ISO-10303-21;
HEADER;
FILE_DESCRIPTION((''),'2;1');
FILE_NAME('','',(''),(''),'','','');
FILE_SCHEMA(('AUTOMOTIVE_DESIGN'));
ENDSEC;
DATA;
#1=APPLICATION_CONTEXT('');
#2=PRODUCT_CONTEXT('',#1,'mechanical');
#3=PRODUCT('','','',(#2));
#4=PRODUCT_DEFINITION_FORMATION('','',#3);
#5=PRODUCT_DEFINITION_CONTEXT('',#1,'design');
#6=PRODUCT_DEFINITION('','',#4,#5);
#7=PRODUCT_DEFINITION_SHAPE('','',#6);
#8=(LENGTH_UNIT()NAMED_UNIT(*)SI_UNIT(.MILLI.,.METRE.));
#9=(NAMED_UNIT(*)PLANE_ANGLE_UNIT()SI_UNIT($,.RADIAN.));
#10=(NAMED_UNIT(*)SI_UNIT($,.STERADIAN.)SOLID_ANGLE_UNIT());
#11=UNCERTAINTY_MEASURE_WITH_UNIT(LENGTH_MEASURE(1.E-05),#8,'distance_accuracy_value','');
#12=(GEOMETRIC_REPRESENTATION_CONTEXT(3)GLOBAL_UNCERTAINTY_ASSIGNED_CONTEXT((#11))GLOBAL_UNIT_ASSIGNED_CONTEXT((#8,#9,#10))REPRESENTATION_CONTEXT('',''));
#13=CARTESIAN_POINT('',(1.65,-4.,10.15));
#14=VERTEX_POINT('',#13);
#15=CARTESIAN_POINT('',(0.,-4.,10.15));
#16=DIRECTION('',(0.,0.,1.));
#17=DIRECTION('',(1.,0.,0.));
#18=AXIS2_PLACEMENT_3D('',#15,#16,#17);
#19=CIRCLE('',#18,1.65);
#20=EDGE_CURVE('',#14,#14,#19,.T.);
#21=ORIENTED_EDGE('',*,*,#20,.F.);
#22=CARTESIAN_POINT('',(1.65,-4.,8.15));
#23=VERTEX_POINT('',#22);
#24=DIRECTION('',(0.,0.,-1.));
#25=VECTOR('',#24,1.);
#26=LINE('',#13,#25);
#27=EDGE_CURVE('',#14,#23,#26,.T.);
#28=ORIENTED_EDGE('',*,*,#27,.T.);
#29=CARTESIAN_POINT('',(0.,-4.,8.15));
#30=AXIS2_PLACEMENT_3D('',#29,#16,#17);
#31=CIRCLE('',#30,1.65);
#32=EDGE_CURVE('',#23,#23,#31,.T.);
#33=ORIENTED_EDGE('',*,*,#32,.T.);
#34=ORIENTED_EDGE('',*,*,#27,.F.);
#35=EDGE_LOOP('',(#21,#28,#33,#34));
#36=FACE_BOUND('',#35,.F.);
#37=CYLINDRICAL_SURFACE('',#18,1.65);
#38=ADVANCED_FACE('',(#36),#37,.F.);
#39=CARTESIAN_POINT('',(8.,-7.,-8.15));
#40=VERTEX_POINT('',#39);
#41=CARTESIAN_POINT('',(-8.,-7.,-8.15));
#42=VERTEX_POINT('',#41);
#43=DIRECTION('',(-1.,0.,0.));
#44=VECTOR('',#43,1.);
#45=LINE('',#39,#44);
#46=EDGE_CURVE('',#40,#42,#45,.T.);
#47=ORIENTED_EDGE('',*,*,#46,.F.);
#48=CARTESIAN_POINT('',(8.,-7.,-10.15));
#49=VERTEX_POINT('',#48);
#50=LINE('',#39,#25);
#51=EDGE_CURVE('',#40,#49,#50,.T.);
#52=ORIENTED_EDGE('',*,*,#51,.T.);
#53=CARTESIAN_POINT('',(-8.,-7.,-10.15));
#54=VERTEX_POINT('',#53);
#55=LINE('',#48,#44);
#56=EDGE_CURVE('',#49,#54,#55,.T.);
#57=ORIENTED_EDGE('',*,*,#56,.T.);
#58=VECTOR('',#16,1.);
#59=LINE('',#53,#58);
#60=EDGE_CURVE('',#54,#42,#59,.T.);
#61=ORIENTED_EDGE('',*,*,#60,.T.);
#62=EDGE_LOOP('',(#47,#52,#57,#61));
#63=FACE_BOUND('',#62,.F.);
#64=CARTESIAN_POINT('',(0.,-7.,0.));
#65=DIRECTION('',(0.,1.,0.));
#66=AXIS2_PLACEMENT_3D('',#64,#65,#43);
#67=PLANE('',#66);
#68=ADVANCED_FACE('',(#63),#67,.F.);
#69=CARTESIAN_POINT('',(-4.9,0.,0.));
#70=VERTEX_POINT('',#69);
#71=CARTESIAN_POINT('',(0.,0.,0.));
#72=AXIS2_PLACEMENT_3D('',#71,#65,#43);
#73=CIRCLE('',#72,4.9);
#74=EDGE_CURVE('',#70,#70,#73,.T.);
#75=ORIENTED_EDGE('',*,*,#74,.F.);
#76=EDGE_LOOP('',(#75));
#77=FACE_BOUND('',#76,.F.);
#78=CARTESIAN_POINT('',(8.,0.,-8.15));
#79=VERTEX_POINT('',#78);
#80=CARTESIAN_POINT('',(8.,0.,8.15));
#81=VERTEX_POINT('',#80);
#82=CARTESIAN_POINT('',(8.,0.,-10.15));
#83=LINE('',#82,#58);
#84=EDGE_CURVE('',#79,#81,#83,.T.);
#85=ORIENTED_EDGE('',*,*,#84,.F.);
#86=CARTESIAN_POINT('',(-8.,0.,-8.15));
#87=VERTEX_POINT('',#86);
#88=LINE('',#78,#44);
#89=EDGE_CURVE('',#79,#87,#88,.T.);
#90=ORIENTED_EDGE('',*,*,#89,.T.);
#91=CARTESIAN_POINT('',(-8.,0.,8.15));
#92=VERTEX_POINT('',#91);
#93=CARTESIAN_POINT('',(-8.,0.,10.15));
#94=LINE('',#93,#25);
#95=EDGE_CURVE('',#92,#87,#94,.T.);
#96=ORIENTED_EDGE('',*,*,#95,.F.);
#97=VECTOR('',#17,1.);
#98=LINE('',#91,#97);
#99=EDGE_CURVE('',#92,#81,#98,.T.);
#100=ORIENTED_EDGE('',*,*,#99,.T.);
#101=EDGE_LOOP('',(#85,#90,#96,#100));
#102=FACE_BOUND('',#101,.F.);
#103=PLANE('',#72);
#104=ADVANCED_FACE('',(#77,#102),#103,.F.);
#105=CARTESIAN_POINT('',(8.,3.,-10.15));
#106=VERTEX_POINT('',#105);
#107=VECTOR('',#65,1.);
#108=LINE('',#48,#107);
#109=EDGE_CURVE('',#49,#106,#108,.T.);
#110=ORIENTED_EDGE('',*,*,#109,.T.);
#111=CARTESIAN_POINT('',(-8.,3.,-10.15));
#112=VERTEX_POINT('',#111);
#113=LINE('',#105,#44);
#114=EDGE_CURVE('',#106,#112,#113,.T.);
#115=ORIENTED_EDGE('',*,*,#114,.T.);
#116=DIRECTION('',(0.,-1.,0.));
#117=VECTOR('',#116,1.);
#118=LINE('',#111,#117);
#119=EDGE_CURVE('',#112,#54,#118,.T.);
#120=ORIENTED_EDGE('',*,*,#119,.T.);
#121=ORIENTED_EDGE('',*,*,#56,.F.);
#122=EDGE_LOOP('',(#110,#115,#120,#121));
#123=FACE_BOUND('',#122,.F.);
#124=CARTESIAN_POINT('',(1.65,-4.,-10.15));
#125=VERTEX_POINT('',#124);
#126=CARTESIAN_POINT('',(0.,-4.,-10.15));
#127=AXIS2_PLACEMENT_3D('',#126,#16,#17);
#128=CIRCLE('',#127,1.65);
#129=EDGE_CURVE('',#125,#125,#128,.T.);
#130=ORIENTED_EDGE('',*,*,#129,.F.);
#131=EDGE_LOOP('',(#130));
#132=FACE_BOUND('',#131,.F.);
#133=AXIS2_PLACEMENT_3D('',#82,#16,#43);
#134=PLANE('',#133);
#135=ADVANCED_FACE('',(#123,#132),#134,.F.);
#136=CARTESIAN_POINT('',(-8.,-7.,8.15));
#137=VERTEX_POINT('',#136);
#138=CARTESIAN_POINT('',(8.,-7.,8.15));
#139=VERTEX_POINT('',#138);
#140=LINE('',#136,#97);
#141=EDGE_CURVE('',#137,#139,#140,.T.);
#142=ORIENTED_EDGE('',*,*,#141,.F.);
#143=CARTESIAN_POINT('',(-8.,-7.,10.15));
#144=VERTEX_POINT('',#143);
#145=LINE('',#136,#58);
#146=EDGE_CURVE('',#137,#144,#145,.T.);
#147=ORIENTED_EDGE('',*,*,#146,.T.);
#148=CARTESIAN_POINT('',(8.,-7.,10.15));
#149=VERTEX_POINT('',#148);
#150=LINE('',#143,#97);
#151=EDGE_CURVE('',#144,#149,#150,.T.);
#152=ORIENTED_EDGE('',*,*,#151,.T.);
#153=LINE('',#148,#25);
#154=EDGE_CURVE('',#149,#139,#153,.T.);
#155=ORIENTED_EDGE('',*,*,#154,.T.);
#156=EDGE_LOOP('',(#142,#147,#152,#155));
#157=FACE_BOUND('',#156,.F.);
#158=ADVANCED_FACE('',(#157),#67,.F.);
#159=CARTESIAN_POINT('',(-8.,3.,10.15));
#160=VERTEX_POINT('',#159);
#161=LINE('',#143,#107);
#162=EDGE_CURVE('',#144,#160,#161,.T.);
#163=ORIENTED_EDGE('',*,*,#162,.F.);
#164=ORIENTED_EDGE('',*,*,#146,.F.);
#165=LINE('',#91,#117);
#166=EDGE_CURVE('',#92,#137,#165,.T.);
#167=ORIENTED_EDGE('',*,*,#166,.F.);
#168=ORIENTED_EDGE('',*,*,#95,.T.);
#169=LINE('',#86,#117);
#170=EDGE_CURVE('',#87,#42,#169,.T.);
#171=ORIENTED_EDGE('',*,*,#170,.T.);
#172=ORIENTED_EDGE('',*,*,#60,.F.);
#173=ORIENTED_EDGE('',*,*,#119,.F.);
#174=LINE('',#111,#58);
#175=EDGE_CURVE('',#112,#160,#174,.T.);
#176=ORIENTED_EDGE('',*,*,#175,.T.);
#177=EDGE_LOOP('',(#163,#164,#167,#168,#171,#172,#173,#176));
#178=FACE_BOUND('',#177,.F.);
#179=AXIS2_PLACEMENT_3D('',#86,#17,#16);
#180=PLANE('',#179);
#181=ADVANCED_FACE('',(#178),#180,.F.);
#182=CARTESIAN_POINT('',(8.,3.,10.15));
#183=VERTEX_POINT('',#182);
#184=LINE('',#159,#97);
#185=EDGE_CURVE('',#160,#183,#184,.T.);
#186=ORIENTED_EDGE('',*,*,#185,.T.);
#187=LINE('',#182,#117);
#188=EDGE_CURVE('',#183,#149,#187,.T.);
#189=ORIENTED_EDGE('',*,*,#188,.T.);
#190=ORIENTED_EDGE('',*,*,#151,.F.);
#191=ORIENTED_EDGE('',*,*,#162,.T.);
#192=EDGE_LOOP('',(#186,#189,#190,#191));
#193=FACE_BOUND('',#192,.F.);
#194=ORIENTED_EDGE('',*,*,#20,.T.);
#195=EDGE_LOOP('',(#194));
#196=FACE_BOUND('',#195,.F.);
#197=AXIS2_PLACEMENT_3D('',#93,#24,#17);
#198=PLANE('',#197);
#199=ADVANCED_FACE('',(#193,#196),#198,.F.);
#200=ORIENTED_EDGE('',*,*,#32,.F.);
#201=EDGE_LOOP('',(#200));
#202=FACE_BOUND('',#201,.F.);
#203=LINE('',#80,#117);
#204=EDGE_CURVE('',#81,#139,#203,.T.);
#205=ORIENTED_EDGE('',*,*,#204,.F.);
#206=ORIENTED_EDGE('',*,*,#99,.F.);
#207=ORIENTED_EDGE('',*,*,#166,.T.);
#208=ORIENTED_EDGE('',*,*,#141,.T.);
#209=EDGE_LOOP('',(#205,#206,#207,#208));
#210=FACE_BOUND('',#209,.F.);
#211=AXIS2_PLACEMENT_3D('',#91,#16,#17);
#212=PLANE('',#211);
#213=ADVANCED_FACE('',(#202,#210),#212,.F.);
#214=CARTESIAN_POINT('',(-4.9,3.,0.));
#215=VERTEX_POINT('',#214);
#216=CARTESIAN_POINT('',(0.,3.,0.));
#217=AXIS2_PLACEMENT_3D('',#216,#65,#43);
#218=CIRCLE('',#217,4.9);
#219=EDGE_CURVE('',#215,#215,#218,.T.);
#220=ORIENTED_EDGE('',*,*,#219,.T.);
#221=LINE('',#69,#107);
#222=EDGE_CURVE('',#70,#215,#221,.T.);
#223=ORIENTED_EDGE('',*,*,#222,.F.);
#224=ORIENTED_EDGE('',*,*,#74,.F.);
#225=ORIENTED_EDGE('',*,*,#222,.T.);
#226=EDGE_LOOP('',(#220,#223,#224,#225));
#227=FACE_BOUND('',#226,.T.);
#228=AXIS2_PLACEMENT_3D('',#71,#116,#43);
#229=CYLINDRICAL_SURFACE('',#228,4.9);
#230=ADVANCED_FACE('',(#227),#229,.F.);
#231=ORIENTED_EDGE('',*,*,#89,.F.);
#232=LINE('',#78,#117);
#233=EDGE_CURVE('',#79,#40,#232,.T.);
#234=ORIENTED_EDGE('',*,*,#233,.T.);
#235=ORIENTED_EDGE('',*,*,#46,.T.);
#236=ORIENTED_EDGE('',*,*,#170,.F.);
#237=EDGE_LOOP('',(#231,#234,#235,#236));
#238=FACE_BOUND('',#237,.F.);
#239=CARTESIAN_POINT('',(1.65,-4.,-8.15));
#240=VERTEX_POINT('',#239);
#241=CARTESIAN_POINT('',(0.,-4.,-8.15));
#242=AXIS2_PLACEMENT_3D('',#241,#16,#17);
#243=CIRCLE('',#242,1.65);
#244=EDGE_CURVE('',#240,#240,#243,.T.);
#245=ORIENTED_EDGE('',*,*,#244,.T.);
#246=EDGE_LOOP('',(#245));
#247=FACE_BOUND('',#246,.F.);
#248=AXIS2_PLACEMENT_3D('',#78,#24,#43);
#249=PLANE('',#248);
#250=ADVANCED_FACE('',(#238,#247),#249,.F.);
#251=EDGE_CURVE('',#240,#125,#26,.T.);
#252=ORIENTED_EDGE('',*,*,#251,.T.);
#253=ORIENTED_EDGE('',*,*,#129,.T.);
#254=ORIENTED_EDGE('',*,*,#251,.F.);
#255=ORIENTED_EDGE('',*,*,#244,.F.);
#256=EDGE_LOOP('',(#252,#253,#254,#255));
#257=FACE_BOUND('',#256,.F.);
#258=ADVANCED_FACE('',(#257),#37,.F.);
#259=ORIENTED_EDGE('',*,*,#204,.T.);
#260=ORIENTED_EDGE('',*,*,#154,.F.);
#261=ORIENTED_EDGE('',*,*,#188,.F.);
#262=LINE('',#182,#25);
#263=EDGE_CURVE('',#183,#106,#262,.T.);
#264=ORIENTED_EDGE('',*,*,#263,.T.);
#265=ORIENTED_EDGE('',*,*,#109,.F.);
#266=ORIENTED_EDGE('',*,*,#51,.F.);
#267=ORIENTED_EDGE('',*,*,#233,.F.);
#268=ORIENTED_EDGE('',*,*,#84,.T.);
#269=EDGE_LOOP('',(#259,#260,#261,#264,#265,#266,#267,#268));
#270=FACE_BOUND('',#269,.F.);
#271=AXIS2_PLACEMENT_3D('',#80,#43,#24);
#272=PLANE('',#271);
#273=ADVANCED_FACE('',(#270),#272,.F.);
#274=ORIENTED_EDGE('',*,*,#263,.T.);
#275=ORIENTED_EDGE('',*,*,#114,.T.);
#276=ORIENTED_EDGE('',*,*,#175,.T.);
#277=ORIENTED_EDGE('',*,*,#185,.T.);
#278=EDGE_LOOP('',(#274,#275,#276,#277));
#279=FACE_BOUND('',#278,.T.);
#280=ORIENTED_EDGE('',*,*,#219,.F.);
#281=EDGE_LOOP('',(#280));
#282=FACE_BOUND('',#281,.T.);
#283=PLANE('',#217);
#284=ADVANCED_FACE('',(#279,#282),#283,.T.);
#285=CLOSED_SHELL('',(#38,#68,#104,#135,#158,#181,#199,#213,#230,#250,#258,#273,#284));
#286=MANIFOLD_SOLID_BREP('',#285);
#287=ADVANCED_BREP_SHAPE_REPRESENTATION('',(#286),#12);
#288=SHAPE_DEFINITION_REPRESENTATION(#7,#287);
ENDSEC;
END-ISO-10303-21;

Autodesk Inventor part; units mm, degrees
ref_plane "YZ Plane" through (0, 0, 0) normal (1, 0, 0) x (0, 1, 0)
ref_plane "XZ Plane" through (0, 0, 0) normal (0, 1, 0) x (-1, 0, 0)
ref_plane "XY Plane" through (0, 0, 0) normal (0, 0, 1) x (1, 0, 0)
sketch "Sketch1" plane through (0, 0, 0) normal (0, 1, 0) x (-1, 0, 0)
  circle A0 centre (0, 0) radius 4.9
  circle A1 centre (0, 0) radius 6.9
  line L0 (6.9, 8) -> (-5.9499, 8) construction
  line L1 (6.9, -8) -> (-5.9499, -8) construction
  line L2 (8, 8.15) -> (-8, 8.15)
  line L3 (-8, 8.15) -> (-8, -8.15)
  line L4 (-8, -8.15) -> (8, -8.15)
  line L5 (8, -8.15) -> (8, 8.15)
  line L6 (8, 8.15) -> (8, 10.15)
  line L7 (8, 10.15) -> (-8, 10.15)
  line L8 (-8, 10.15) -> (-8, 8.15)
  line L9 (-8, -8.15) -> (-8, -10.15)
  line L10 (-8, -10.15) -> (8, -10.15)
  line L11 (8, -10.15) -> (8, -8.15)
  point P0 (0, -8.15)
  dimension "d0" = 9.8
  dimension "d1" = 2
  dimension "d2" = 16
  dimension "d3" = 8
  dimension "d4" = 0.15
  dimension "d5" = 0.15
  dimension "d6" = 16
  dimension "d7" = 2
  dimension "d8" = 2
extrude "Extrusion1" add sketch "Sketch1" along normal blind 3 contours A1 | L5 L4 L3 L2 | L2 L8 L7 L6 | L11 L10 L9 L4
extrude "Extrusion2" add sketch "Sketch1" against normal blind 7 contours L2 L8 L7 L6 | L11 L10 L9 L4
sketch "Sketch2" plane through (-8, 3, 10.15) normal (0, 0, 1) x (1, 0, 0)
  circle A0 centre (8, -7) radius 1.65
  line L0 (16, -10) -> (0, -10) projected
  point P0 (8, -3)
  point P1 (8, -10)
  dimension "d13" = 3.3
  dimension "d14" = 3
extrude "Extrusion3" cut sketch "Sketch2" against normal through all
properties part number "ShaftSyncAdapter" material "ABS Plastic"
